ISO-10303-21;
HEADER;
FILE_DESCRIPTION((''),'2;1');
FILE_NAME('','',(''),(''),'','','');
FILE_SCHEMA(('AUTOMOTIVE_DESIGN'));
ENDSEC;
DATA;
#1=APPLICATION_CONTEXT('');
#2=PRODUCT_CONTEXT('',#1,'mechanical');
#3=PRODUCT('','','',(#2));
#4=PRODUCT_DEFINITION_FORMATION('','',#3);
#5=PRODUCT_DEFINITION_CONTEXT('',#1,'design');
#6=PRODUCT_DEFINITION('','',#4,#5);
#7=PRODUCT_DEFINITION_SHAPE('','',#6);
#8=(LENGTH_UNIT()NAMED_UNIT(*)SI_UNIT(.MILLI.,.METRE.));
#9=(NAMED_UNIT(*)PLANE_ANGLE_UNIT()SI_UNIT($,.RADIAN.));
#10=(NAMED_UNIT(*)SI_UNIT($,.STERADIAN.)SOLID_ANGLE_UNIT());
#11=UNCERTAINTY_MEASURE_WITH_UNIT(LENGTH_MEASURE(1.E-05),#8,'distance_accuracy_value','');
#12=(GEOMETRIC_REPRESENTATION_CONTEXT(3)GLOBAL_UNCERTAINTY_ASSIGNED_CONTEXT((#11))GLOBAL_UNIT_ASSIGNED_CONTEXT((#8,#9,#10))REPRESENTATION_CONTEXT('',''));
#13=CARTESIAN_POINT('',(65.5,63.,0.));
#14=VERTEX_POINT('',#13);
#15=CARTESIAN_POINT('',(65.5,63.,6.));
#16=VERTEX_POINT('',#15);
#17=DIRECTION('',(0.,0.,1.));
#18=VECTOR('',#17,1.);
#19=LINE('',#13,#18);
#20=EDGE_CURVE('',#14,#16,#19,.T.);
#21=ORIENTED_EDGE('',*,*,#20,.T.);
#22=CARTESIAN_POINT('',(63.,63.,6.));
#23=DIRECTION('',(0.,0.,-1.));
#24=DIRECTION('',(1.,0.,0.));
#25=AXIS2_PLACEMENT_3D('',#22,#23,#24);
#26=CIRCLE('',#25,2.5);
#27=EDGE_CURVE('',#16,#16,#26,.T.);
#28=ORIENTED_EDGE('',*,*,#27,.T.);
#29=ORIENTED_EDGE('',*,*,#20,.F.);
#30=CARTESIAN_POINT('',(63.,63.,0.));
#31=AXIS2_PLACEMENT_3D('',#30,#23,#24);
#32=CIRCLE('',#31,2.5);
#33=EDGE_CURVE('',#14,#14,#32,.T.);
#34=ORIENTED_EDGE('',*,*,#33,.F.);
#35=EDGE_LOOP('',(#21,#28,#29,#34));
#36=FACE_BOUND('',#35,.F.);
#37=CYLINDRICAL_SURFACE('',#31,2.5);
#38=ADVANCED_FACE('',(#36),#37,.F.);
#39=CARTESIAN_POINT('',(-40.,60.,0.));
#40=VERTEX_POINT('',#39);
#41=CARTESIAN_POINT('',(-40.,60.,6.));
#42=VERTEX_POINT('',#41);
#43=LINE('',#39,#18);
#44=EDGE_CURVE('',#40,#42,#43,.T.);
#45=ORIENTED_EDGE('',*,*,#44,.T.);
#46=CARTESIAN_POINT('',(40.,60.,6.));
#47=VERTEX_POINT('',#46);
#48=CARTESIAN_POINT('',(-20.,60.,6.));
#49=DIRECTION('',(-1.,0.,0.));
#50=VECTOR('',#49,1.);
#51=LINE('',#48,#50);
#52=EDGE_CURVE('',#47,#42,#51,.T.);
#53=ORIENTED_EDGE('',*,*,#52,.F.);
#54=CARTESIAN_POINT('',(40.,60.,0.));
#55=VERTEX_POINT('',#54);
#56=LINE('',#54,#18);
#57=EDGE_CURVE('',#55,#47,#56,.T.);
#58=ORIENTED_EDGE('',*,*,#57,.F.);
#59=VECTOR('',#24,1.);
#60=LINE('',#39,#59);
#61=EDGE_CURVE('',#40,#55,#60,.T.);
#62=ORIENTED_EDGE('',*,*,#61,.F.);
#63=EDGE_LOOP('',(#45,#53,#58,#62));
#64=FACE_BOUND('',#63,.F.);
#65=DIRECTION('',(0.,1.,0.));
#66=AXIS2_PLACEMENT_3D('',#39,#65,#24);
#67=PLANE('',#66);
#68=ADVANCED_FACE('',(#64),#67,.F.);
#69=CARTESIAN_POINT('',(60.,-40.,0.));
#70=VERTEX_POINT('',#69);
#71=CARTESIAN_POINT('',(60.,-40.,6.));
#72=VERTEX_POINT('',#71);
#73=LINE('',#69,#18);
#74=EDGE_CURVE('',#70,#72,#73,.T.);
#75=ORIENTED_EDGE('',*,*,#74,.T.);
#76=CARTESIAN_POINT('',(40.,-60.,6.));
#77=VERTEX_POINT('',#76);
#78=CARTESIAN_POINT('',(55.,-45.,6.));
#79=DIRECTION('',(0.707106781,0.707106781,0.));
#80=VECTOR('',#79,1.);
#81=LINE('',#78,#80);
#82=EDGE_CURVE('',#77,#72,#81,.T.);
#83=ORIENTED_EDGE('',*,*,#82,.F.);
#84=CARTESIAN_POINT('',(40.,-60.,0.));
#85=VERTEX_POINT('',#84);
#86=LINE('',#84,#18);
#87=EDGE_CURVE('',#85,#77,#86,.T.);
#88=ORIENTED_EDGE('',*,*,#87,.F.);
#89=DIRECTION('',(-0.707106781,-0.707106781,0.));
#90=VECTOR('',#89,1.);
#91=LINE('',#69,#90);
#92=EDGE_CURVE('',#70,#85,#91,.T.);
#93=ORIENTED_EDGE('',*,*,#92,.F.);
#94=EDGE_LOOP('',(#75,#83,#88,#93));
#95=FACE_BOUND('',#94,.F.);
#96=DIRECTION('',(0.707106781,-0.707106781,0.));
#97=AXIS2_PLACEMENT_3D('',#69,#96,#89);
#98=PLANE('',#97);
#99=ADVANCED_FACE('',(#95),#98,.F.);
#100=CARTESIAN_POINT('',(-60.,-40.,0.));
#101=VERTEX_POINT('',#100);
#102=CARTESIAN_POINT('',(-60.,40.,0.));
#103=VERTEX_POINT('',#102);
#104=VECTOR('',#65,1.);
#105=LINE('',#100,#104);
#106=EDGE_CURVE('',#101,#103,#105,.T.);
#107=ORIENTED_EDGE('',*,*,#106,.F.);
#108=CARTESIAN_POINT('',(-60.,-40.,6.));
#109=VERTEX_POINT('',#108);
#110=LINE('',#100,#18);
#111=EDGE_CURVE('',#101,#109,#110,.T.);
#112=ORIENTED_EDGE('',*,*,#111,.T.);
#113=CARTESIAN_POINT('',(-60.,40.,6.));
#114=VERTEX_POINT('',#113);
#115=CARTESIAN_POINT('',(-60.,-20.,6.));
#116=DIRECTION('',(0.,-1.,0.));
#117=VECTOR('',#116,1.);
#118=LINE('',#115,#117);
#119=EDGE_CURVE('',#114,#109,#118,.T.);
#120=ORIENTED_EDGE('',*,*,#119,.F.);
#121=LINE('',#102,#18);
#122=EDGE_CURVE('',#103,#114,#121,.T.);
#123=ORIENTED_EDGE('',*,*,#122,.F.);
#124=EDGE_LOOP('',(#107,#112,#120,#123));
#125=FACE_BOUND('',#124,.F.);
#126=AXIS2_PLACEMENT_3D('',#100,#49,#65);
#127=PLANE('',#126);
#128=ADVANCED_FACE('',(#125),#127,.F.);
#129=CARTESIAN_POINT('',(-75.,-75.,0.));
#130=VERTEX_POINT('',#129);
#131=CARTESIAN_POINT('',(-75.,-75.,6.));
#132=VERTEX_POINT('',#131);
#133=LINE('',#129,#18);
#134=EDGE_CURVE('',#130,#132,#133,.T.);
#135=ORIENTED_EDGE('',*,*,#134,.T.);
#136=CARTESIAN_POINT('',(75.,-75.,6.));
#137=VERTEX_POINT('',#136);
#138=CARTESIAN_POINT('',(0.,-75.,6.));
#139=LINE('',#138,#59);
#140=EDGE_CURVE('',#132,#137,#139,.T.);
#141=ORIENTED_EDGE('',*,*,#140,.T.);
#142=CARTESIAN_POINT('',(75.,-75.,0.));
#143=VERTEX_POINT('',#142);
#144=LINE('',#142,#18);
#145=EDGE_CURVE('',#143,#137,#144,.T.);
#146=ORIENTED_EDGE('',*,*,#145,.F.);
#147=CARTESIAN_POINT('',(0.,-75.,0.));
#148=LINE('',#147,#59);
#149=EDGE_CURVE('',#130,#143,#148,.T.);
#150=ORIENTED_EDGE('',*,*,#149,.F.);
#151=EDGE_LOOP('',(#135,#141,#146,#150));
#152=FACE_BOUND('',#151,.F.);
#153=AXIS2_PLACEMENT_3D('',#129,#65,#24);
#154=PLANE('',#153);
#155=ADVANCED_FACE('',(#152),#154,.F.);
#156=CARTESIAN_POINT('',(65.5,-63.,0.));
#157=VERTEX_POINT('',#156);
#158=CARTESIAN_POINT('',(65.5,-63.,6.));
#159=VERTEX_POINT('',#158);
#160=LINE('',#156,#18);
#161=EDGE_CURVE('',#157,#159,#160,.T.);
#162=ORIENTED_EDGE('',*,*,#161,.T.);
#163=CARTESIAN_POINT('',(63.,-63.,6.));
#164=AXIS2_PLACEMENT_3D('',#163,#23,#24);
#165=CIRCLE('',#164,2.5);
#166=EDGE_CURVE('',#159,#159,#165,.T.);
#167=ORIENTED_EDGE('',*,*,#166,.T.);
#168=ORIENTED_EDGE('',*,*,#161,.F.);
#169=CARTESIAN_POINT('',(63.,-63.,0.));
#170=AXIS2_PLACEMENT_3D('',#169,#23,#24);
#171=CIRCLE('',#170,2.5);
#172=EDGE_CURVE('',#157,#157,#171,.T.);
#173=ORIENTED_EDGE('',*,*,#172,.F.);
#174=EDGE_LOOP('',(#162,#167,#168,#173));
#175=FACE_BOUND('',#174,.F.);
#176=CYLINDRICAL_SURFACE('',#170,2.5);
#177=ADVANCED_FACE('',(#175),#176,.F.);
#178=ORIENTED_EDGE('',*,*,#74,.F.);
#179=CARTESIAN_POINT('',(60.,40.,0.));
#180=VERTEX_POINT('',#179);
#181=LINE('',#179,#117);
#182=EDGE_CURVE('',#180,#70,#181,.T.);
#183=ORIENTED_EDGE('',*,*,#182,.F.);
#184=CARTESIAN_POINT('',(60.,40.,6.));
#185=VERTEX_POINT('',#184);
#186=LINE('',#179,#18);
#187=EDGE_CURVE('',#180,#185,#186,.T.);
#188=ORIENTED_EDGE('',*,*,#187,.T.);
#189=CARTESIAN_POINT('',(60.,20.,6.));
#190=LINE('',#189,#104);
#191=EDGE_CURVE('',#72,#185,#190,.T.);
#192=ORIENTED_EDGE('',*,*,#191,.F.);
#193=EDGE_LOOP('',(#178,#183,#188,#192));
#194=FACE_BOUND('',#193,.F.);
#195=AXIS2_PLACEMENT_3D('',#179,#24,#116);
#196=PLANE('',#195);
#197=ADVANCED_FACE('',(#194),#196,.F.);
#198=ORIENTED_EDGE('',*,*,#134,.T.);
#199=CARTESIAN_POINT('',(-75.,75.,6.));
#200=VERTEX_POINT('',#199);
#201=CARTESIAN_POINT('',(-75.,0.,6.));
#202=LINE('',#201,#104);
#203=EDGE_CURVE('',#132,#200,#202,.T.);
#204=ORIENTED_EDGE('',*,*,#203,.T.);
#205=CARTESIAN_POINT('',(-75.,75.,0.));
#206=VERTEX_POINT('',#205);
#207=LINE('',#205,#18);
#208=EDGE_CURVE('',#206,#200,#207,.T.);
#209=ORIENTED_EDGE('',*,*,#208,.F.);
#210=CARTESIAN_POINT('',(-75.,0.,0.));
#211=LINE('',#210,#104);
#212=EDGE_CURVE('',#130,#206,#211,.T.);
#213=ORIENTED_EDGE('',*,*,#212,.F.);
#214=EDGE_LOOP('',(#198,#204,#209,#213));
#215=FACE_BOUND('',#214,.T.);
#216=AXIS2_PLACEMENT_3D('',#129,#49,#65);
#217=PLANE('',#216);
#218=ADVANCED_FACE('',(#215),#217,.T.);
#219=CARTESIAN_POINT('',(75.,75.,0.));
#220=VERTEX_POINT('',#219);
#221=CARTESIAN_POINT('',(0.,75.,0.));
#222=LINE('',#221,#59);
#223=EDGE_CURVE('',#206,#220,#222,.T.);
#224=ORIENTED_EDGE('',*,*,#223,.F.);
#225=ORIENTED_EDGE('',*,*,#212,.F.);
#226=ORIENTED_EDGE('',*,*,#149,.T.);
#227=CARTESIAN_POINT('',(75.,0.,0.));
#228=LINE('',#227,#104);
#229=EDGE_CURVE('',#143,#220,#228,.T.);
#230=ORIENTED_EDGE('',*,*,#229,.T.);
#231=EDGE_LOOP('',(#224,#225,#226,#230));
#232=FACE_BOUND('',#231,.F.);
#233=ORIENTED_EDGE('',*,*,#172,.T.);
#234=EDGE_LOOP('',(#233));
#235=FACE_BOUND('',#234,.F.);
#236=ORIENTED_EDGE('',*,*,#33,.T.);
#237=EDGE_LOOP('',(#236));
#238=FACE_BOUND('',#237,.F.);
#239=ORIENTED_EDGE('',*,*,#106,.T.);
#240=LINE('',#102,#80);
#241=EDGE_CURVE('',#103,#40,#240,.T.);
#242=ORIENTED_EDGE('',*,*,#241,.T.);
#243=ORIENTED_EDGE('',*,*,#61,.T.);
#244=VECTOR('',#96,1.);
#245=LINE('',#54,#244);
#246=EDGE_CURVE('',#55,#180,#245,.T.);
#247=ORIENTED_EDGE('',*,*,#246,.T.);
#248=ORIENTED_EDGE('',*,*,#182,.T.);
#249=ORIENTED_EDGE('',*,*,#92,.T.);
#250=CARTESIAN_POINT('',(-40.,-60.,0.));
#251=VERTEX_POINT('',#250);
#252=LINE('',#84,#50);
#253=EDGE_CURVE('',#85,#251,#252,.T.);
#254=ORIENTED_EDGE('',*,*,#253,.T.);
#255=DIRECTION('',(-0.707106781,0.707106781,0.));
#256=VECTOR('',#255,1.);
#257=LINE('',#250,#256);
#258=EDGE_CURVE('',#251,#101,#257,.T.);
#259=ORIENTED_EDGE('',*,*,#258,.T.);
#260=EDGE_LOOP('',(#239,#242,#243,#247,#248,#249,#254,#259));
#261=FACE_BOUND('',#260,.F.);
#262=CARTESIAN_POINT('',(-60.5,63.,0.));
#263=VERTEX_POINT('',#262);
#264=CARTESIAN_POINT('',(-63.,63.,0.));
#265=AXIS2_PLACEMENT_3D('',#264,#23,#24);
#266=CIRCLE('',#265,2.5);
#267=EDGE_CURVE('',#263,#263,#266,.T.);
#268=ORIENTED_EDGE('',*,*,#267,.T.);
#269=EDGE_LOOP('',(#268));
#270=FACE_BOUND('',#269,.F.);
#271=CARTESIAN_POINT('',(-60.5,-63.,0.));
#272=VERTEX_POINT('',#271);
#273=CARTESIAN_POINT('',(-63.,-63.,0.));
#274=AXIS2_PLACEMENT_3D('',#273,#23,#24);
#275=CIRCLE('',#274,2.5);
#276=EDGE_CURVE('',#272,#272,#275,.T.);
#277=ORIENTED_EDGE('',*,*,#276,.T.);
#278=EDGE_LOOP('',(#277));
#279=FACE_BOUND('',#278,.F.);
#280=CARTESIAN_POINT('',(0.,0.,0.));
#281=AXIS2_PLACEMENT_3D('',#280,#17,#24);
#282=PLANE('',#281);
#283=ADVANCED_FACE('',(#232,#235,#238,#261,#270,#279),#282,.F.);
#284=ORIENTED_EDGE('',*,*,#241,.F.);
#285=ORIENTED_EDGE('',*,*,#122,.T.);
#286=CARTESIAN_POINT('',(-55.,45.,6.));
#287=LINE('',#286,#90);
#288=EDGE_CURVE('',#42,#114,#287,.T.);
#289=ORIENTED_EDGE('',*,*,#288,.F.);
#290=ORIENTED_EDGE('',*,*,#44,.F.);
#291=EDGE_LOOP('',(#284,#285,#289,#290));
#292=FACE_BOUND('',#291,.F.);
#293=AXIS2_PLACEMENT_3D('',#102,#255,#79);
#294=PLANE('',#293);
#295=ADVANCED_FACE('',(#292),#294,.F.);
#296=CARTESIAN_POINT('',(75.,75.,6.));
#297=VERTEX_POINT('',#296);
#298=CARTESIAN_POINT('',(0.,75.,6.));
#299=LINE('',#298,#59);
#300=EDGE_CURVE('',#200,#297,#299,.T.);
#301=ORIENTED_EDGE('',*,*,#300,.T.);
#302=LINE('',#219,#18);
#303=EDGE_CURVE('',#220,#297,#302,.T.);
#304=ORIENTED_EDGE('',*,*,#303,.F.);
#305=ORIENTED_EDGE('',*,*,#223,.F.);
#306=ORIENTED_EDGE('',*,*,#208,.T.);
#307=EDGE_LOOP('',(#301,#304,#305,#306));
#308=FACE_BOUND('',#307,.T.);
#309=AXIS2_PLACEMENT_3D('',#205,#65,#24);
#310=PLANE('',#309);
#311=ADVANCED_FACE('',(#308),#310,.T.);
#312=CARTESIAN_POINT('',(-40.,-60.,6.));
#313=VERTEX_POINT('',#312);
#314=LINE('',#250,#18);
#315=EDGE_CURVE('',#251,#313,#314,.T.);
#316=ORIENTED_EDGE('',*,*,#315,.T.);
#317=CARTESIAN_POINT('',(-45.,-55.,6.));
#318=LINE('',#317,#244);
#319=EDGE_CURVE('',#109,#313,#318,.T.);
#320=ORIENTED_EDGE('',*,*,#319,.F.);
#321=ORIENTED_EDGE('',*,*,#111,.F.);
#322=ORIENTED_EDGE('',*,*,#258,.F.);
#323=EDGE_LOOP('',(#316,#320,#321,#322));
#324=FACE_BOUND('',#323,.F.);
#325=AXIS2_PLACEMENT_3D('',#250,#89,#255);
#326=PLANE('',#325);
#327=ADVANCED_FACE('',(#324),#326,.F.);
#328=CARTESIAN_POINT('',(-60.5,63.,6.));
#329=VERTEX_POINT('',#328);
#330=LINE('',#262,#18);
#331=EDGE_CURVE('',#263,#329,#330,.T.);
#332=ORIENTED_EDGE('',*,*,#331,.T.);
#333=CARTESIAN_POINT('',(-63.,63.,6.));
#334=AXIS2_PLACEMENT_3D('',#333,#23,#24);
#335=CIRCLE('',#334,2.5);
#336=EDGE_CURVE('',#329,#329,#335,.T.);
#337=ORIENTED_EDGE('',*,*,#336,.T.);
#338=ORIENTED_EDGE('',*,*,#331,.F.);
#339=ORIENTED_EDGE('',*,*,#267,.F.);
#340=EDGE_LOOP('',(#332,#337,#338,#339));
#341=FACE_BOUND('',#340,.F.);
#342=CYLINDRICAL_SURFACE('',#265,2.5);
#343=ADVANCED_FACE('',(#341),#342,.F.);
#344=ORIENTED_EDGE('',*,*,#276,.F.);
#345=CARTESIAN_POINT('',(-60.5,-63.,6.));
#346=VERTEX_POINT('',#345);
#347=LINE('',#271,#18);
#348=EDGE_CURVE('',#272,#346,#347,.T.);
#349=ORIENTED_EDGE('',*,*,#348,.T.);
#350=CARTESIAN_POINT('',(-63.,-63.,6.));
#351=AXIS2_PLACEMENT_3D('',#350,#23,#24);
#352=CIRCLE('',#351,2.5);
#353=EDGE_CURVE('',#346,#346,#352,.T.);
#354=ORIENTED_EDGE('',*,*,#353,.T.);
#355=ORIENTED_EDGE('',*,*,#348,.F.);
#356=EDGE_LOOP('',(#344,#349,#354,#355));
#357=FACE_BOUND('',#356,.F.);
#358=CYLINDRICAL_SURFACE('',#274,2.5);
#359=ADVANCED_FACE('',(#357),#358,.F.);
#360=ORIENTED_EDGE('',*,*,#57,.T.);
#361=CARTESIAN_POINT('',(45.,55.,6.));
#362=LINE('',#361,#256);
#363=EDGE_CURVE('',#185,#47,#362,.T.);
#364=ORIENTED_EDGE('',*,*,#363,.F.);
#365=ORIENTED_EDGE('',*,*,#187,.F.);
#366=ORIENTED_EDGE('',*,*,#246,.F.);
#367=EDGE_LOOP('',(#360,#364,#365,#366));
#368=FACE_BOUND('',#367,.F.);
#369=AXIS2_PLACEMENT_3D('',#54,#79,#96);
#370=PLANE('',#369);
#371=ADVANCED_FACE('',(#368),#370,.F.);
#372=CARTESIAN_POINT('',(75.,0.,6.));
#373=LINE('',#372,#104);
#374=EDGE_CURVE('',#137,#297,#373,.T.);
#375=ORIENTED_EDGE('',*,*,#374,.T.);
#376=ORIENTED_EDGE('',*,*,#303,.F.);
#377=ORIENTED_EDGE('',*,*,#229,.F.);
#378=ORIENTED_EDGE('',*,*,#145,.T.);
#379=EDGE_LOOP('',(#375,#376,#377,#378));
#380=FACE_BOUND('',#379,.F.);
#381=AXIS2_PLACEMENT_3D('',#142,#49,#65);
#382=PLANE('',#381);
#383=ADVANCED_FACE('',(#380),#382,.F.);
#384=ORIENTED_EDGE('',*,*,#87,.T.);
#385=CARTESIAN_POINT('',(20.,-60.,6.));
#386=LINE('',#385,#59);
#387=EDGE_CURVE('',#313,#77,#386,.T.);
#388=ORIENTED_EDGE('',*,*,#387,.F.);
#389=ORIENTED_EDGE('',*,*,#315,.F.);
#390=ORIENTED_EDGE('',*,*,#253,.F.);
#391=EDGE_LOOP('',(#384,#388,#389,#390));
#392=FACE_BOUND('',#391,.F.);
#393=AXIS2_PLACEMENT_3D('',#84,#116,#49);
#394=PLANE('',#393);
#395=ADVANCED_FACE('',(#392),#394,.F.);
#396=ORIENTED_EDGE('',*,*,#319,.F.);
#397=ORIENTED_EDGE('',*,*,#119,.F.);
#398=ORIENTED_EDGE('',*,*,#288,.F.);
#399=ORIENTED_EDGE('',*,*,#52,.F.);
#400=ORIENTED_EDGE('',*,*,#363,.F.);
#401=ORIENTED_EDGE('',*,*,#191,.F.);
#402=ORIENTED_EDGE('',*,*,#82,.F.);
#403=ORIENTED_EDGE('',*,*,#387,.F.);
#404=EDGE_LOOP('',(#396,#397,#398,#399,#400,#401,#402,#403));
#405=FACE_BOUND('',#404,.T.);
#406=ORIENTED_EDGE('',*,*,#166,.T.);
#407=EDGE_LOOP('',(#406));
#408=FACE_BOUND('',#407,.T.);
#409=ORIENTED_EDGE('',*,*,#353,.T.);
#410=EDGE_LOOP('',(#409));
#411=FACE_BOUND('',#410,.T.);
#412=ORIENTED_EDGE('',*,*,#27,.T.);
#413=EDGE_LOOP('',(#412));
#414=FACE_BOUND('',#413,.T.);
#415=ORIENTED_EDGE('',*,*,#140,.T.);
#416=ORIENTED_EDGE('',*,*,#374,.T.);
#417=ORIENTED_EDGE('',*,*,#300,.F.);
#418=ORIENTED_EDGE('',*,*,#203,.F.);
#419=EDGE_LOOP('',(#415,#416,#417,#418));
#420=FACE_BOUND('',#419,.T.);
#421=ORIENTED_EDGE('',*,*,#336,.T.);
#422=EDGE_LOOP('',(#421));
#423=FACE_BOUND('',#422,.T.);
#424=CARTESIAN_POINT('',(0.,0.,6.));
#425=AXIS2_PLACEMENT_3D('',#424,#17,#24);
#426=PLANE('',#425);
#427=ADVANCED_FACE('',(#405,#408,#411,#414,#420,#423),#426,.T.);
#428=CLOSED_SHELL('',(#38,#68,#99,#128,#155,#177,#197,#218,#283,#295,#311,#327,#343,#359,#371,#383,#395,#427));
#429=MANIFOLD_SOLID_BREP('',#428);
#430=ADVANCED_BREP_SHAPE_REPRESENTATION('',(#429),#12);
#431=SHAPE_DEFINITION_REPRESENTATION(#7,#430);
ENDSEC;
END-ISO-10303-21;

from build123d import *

# Parameters (mm, degrees)
SKETCH002_W          = 150
SKETCH002_H          = 150
PAD002_DEPTH         = 6
POCKET_DEPTH         = 0.001
POCKET_DEPTH_BACK    = 6.001
SKETCH004_R          = 2.5
POCKET001_DEPTH      = 6.001
POCKET001_DEPTH_BACK = 0.001


with BuildPart() as part:
    # Sketch002 → Pad002 (new body)
    with BuildSketch(Plane.XY):
        Rectangle(SKETCH002_W, SKETCH002_H)
    extrude(amount=PAD002_DEPTH)

    # Sketch003 → Pocket (cut, two sides)
    with BuildSketch(Plane.XY) as pocket_sk:
        Polygon((-60, 40), (-40, 60), (40, 60), (60, 40), (60, -40), (40, -60), (-40, -60), (-60, -40), align=None)
    extrude(amount=-POCKET_DEPTH, mode=Mode.SUBTRACT)
    extrude(pocket_sk.sketch, amount=POCKET_DEPTH_BACK, mode=Mode.SUBTRACT)

    # Sketch004 (on Face5 of Pad002) → Pocket001 (cut, two sides)
    with BuildSketch(Plane(origin=(0, 0, 0), x_dir=(1, 0, 0), z_dir=(0, 0, -1))) as pocket001_sk:
        with Locations((-63, 63)):
            Circle(SKETCH004_R)
        with Locations((63, 63)):
            Circle(SKETCH004_R)
        with Locations((63, -63)):
            Circle(SKETCH004_R)
        with Locations((-63, -63)):
            Circle(SKETCH004_R)
    extrude(amount=-POCKET001_DEPTH, mode=Mode.SUBTRACT)
    extrude(pocket001_sk.sketch, amount=POCKET001_DEPTH_BACK, mode=Mode.SUBTRACT)


solid = part.part
